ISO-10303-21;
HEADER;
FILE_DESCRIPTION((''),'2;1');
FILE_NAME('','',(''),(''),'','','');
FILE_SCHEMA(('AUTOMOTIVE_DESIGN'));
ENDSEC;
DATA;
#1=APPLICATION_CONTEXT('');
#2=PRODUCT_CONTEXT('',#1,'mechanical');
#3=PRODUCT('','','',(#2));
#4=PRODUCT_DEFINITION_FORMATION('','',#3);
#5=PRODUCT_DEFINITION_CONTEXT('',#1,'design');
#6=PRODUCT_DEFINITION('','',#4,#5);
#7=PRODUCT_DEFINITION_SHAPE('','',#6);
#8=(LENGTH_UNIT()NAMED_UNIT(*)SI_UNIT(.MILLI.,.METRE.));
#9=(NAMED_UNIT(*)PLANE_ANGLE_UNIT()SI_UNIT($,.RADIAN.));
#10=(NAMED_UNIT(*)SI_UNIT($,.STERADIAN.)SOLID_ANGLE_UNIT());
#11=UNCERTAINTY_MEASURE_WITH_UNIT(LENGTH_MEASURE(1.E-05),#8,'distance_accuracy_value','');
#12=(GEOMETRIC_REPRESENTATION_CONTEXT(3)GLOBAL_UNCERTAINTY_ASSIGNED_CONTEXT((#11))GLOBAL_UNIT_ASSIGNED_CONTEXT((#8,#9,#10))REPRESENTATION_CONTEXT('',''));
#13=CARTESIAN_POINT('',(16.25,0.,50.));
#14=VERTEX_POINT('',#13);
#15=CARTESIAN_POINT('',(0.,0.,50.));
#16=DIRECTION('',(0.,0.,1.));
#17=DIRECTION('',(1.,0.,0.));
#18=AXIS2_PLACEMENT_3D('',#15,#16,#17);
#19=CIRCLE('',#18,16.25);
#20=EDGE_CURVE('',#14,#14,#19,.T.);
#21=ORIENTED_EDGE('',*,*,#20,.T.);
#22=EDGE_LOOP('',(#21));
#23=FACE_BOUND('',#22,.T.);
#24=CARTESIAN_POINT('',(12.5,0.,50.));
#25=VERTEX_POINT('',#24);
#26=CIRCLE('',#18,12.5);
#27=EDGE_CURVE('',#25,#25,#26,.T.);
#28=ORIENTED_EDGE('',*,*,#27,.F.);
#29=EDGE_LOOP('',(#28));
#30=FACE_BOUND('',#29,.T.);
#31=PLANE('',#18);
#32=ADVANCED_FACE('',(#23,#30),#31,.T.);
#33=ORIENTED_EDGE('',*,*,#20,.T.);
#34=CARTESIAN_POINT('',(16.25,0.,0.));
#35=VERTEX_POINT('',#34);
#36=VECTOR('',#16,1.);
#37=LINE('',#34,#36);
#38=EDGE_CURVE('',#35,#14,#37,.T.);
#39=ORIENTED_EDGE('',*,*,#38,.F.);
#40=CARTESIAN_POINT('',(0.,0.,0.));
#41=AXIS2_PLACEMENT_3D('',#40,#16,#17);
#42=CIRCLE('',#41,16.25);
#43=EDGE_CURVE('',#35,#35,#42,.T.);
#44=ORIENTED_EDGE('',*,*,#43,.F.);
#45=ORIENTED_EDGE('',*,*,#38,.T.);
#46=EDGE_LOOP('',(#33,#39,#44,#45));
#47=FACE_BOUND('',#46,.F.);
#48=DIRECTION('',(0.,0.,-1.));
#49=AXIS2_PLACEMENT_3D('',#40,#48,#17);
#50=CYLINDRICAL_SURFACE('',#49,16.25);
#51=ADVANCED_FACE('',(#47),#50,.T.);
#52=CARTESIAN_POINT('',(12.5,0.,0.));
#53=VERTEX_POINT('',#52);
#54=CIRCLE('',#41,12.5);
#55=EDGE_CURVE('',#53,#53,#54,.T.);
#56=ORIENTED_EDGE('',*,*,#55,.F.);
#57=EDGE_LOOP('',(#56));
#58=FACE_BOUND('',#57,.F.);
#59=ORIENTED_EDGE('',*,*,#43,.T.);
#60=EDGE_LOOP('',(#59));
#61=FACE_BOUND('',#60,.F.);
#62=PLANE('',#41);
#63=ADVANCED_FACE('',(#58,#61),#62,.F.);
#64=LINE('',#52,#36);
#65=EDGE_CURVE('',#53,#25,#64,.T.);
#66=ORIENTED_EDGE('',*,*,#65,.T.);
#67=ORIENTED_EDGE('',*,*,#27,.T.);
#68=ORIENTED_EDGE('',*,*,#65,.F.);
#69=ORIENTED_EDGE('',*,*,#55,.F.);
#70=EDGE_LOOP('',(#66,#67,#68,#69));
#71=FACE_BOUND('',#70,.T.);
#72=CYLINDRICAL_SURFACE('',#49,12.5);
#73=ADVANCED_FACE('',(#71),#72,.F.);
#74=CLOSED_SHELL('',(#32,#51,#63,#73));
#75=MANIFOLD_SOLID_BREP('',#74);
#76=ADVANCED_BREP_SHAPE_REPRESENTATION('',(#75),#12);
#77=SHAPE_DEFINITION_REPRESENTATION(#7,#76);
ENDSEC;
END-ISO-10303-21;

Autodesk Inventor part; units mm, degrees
ref_plane "YZ Plane" through (0, 0, 0) normal (1, 0, 0) x (0, 1, 0)
ref_plane "XZ Plane" through (0, 0, 0) normal (0, 1, 0) x (-1, 0, 0)
ref_plane "XY Plane" through (0, 0, 0) normal (0, 0, 1) x (1, 0, 0)
sketch "Sketch1" plane through (0, 0, 0) normal (0, 0, 1) x (1, 0, 0)
  circle A0 centre (0, 0) radius 12.5
  circle A1 centre (0, 0) radius 16.25
  dimension "d0" = 25
  dimension "d1" = 32.5
extrude "Extrusion1" add sketch "Sketch1" along normal blind 50
properties part number "insulation_lid_objective_adapter" material "ABS Plastic light yellow"
